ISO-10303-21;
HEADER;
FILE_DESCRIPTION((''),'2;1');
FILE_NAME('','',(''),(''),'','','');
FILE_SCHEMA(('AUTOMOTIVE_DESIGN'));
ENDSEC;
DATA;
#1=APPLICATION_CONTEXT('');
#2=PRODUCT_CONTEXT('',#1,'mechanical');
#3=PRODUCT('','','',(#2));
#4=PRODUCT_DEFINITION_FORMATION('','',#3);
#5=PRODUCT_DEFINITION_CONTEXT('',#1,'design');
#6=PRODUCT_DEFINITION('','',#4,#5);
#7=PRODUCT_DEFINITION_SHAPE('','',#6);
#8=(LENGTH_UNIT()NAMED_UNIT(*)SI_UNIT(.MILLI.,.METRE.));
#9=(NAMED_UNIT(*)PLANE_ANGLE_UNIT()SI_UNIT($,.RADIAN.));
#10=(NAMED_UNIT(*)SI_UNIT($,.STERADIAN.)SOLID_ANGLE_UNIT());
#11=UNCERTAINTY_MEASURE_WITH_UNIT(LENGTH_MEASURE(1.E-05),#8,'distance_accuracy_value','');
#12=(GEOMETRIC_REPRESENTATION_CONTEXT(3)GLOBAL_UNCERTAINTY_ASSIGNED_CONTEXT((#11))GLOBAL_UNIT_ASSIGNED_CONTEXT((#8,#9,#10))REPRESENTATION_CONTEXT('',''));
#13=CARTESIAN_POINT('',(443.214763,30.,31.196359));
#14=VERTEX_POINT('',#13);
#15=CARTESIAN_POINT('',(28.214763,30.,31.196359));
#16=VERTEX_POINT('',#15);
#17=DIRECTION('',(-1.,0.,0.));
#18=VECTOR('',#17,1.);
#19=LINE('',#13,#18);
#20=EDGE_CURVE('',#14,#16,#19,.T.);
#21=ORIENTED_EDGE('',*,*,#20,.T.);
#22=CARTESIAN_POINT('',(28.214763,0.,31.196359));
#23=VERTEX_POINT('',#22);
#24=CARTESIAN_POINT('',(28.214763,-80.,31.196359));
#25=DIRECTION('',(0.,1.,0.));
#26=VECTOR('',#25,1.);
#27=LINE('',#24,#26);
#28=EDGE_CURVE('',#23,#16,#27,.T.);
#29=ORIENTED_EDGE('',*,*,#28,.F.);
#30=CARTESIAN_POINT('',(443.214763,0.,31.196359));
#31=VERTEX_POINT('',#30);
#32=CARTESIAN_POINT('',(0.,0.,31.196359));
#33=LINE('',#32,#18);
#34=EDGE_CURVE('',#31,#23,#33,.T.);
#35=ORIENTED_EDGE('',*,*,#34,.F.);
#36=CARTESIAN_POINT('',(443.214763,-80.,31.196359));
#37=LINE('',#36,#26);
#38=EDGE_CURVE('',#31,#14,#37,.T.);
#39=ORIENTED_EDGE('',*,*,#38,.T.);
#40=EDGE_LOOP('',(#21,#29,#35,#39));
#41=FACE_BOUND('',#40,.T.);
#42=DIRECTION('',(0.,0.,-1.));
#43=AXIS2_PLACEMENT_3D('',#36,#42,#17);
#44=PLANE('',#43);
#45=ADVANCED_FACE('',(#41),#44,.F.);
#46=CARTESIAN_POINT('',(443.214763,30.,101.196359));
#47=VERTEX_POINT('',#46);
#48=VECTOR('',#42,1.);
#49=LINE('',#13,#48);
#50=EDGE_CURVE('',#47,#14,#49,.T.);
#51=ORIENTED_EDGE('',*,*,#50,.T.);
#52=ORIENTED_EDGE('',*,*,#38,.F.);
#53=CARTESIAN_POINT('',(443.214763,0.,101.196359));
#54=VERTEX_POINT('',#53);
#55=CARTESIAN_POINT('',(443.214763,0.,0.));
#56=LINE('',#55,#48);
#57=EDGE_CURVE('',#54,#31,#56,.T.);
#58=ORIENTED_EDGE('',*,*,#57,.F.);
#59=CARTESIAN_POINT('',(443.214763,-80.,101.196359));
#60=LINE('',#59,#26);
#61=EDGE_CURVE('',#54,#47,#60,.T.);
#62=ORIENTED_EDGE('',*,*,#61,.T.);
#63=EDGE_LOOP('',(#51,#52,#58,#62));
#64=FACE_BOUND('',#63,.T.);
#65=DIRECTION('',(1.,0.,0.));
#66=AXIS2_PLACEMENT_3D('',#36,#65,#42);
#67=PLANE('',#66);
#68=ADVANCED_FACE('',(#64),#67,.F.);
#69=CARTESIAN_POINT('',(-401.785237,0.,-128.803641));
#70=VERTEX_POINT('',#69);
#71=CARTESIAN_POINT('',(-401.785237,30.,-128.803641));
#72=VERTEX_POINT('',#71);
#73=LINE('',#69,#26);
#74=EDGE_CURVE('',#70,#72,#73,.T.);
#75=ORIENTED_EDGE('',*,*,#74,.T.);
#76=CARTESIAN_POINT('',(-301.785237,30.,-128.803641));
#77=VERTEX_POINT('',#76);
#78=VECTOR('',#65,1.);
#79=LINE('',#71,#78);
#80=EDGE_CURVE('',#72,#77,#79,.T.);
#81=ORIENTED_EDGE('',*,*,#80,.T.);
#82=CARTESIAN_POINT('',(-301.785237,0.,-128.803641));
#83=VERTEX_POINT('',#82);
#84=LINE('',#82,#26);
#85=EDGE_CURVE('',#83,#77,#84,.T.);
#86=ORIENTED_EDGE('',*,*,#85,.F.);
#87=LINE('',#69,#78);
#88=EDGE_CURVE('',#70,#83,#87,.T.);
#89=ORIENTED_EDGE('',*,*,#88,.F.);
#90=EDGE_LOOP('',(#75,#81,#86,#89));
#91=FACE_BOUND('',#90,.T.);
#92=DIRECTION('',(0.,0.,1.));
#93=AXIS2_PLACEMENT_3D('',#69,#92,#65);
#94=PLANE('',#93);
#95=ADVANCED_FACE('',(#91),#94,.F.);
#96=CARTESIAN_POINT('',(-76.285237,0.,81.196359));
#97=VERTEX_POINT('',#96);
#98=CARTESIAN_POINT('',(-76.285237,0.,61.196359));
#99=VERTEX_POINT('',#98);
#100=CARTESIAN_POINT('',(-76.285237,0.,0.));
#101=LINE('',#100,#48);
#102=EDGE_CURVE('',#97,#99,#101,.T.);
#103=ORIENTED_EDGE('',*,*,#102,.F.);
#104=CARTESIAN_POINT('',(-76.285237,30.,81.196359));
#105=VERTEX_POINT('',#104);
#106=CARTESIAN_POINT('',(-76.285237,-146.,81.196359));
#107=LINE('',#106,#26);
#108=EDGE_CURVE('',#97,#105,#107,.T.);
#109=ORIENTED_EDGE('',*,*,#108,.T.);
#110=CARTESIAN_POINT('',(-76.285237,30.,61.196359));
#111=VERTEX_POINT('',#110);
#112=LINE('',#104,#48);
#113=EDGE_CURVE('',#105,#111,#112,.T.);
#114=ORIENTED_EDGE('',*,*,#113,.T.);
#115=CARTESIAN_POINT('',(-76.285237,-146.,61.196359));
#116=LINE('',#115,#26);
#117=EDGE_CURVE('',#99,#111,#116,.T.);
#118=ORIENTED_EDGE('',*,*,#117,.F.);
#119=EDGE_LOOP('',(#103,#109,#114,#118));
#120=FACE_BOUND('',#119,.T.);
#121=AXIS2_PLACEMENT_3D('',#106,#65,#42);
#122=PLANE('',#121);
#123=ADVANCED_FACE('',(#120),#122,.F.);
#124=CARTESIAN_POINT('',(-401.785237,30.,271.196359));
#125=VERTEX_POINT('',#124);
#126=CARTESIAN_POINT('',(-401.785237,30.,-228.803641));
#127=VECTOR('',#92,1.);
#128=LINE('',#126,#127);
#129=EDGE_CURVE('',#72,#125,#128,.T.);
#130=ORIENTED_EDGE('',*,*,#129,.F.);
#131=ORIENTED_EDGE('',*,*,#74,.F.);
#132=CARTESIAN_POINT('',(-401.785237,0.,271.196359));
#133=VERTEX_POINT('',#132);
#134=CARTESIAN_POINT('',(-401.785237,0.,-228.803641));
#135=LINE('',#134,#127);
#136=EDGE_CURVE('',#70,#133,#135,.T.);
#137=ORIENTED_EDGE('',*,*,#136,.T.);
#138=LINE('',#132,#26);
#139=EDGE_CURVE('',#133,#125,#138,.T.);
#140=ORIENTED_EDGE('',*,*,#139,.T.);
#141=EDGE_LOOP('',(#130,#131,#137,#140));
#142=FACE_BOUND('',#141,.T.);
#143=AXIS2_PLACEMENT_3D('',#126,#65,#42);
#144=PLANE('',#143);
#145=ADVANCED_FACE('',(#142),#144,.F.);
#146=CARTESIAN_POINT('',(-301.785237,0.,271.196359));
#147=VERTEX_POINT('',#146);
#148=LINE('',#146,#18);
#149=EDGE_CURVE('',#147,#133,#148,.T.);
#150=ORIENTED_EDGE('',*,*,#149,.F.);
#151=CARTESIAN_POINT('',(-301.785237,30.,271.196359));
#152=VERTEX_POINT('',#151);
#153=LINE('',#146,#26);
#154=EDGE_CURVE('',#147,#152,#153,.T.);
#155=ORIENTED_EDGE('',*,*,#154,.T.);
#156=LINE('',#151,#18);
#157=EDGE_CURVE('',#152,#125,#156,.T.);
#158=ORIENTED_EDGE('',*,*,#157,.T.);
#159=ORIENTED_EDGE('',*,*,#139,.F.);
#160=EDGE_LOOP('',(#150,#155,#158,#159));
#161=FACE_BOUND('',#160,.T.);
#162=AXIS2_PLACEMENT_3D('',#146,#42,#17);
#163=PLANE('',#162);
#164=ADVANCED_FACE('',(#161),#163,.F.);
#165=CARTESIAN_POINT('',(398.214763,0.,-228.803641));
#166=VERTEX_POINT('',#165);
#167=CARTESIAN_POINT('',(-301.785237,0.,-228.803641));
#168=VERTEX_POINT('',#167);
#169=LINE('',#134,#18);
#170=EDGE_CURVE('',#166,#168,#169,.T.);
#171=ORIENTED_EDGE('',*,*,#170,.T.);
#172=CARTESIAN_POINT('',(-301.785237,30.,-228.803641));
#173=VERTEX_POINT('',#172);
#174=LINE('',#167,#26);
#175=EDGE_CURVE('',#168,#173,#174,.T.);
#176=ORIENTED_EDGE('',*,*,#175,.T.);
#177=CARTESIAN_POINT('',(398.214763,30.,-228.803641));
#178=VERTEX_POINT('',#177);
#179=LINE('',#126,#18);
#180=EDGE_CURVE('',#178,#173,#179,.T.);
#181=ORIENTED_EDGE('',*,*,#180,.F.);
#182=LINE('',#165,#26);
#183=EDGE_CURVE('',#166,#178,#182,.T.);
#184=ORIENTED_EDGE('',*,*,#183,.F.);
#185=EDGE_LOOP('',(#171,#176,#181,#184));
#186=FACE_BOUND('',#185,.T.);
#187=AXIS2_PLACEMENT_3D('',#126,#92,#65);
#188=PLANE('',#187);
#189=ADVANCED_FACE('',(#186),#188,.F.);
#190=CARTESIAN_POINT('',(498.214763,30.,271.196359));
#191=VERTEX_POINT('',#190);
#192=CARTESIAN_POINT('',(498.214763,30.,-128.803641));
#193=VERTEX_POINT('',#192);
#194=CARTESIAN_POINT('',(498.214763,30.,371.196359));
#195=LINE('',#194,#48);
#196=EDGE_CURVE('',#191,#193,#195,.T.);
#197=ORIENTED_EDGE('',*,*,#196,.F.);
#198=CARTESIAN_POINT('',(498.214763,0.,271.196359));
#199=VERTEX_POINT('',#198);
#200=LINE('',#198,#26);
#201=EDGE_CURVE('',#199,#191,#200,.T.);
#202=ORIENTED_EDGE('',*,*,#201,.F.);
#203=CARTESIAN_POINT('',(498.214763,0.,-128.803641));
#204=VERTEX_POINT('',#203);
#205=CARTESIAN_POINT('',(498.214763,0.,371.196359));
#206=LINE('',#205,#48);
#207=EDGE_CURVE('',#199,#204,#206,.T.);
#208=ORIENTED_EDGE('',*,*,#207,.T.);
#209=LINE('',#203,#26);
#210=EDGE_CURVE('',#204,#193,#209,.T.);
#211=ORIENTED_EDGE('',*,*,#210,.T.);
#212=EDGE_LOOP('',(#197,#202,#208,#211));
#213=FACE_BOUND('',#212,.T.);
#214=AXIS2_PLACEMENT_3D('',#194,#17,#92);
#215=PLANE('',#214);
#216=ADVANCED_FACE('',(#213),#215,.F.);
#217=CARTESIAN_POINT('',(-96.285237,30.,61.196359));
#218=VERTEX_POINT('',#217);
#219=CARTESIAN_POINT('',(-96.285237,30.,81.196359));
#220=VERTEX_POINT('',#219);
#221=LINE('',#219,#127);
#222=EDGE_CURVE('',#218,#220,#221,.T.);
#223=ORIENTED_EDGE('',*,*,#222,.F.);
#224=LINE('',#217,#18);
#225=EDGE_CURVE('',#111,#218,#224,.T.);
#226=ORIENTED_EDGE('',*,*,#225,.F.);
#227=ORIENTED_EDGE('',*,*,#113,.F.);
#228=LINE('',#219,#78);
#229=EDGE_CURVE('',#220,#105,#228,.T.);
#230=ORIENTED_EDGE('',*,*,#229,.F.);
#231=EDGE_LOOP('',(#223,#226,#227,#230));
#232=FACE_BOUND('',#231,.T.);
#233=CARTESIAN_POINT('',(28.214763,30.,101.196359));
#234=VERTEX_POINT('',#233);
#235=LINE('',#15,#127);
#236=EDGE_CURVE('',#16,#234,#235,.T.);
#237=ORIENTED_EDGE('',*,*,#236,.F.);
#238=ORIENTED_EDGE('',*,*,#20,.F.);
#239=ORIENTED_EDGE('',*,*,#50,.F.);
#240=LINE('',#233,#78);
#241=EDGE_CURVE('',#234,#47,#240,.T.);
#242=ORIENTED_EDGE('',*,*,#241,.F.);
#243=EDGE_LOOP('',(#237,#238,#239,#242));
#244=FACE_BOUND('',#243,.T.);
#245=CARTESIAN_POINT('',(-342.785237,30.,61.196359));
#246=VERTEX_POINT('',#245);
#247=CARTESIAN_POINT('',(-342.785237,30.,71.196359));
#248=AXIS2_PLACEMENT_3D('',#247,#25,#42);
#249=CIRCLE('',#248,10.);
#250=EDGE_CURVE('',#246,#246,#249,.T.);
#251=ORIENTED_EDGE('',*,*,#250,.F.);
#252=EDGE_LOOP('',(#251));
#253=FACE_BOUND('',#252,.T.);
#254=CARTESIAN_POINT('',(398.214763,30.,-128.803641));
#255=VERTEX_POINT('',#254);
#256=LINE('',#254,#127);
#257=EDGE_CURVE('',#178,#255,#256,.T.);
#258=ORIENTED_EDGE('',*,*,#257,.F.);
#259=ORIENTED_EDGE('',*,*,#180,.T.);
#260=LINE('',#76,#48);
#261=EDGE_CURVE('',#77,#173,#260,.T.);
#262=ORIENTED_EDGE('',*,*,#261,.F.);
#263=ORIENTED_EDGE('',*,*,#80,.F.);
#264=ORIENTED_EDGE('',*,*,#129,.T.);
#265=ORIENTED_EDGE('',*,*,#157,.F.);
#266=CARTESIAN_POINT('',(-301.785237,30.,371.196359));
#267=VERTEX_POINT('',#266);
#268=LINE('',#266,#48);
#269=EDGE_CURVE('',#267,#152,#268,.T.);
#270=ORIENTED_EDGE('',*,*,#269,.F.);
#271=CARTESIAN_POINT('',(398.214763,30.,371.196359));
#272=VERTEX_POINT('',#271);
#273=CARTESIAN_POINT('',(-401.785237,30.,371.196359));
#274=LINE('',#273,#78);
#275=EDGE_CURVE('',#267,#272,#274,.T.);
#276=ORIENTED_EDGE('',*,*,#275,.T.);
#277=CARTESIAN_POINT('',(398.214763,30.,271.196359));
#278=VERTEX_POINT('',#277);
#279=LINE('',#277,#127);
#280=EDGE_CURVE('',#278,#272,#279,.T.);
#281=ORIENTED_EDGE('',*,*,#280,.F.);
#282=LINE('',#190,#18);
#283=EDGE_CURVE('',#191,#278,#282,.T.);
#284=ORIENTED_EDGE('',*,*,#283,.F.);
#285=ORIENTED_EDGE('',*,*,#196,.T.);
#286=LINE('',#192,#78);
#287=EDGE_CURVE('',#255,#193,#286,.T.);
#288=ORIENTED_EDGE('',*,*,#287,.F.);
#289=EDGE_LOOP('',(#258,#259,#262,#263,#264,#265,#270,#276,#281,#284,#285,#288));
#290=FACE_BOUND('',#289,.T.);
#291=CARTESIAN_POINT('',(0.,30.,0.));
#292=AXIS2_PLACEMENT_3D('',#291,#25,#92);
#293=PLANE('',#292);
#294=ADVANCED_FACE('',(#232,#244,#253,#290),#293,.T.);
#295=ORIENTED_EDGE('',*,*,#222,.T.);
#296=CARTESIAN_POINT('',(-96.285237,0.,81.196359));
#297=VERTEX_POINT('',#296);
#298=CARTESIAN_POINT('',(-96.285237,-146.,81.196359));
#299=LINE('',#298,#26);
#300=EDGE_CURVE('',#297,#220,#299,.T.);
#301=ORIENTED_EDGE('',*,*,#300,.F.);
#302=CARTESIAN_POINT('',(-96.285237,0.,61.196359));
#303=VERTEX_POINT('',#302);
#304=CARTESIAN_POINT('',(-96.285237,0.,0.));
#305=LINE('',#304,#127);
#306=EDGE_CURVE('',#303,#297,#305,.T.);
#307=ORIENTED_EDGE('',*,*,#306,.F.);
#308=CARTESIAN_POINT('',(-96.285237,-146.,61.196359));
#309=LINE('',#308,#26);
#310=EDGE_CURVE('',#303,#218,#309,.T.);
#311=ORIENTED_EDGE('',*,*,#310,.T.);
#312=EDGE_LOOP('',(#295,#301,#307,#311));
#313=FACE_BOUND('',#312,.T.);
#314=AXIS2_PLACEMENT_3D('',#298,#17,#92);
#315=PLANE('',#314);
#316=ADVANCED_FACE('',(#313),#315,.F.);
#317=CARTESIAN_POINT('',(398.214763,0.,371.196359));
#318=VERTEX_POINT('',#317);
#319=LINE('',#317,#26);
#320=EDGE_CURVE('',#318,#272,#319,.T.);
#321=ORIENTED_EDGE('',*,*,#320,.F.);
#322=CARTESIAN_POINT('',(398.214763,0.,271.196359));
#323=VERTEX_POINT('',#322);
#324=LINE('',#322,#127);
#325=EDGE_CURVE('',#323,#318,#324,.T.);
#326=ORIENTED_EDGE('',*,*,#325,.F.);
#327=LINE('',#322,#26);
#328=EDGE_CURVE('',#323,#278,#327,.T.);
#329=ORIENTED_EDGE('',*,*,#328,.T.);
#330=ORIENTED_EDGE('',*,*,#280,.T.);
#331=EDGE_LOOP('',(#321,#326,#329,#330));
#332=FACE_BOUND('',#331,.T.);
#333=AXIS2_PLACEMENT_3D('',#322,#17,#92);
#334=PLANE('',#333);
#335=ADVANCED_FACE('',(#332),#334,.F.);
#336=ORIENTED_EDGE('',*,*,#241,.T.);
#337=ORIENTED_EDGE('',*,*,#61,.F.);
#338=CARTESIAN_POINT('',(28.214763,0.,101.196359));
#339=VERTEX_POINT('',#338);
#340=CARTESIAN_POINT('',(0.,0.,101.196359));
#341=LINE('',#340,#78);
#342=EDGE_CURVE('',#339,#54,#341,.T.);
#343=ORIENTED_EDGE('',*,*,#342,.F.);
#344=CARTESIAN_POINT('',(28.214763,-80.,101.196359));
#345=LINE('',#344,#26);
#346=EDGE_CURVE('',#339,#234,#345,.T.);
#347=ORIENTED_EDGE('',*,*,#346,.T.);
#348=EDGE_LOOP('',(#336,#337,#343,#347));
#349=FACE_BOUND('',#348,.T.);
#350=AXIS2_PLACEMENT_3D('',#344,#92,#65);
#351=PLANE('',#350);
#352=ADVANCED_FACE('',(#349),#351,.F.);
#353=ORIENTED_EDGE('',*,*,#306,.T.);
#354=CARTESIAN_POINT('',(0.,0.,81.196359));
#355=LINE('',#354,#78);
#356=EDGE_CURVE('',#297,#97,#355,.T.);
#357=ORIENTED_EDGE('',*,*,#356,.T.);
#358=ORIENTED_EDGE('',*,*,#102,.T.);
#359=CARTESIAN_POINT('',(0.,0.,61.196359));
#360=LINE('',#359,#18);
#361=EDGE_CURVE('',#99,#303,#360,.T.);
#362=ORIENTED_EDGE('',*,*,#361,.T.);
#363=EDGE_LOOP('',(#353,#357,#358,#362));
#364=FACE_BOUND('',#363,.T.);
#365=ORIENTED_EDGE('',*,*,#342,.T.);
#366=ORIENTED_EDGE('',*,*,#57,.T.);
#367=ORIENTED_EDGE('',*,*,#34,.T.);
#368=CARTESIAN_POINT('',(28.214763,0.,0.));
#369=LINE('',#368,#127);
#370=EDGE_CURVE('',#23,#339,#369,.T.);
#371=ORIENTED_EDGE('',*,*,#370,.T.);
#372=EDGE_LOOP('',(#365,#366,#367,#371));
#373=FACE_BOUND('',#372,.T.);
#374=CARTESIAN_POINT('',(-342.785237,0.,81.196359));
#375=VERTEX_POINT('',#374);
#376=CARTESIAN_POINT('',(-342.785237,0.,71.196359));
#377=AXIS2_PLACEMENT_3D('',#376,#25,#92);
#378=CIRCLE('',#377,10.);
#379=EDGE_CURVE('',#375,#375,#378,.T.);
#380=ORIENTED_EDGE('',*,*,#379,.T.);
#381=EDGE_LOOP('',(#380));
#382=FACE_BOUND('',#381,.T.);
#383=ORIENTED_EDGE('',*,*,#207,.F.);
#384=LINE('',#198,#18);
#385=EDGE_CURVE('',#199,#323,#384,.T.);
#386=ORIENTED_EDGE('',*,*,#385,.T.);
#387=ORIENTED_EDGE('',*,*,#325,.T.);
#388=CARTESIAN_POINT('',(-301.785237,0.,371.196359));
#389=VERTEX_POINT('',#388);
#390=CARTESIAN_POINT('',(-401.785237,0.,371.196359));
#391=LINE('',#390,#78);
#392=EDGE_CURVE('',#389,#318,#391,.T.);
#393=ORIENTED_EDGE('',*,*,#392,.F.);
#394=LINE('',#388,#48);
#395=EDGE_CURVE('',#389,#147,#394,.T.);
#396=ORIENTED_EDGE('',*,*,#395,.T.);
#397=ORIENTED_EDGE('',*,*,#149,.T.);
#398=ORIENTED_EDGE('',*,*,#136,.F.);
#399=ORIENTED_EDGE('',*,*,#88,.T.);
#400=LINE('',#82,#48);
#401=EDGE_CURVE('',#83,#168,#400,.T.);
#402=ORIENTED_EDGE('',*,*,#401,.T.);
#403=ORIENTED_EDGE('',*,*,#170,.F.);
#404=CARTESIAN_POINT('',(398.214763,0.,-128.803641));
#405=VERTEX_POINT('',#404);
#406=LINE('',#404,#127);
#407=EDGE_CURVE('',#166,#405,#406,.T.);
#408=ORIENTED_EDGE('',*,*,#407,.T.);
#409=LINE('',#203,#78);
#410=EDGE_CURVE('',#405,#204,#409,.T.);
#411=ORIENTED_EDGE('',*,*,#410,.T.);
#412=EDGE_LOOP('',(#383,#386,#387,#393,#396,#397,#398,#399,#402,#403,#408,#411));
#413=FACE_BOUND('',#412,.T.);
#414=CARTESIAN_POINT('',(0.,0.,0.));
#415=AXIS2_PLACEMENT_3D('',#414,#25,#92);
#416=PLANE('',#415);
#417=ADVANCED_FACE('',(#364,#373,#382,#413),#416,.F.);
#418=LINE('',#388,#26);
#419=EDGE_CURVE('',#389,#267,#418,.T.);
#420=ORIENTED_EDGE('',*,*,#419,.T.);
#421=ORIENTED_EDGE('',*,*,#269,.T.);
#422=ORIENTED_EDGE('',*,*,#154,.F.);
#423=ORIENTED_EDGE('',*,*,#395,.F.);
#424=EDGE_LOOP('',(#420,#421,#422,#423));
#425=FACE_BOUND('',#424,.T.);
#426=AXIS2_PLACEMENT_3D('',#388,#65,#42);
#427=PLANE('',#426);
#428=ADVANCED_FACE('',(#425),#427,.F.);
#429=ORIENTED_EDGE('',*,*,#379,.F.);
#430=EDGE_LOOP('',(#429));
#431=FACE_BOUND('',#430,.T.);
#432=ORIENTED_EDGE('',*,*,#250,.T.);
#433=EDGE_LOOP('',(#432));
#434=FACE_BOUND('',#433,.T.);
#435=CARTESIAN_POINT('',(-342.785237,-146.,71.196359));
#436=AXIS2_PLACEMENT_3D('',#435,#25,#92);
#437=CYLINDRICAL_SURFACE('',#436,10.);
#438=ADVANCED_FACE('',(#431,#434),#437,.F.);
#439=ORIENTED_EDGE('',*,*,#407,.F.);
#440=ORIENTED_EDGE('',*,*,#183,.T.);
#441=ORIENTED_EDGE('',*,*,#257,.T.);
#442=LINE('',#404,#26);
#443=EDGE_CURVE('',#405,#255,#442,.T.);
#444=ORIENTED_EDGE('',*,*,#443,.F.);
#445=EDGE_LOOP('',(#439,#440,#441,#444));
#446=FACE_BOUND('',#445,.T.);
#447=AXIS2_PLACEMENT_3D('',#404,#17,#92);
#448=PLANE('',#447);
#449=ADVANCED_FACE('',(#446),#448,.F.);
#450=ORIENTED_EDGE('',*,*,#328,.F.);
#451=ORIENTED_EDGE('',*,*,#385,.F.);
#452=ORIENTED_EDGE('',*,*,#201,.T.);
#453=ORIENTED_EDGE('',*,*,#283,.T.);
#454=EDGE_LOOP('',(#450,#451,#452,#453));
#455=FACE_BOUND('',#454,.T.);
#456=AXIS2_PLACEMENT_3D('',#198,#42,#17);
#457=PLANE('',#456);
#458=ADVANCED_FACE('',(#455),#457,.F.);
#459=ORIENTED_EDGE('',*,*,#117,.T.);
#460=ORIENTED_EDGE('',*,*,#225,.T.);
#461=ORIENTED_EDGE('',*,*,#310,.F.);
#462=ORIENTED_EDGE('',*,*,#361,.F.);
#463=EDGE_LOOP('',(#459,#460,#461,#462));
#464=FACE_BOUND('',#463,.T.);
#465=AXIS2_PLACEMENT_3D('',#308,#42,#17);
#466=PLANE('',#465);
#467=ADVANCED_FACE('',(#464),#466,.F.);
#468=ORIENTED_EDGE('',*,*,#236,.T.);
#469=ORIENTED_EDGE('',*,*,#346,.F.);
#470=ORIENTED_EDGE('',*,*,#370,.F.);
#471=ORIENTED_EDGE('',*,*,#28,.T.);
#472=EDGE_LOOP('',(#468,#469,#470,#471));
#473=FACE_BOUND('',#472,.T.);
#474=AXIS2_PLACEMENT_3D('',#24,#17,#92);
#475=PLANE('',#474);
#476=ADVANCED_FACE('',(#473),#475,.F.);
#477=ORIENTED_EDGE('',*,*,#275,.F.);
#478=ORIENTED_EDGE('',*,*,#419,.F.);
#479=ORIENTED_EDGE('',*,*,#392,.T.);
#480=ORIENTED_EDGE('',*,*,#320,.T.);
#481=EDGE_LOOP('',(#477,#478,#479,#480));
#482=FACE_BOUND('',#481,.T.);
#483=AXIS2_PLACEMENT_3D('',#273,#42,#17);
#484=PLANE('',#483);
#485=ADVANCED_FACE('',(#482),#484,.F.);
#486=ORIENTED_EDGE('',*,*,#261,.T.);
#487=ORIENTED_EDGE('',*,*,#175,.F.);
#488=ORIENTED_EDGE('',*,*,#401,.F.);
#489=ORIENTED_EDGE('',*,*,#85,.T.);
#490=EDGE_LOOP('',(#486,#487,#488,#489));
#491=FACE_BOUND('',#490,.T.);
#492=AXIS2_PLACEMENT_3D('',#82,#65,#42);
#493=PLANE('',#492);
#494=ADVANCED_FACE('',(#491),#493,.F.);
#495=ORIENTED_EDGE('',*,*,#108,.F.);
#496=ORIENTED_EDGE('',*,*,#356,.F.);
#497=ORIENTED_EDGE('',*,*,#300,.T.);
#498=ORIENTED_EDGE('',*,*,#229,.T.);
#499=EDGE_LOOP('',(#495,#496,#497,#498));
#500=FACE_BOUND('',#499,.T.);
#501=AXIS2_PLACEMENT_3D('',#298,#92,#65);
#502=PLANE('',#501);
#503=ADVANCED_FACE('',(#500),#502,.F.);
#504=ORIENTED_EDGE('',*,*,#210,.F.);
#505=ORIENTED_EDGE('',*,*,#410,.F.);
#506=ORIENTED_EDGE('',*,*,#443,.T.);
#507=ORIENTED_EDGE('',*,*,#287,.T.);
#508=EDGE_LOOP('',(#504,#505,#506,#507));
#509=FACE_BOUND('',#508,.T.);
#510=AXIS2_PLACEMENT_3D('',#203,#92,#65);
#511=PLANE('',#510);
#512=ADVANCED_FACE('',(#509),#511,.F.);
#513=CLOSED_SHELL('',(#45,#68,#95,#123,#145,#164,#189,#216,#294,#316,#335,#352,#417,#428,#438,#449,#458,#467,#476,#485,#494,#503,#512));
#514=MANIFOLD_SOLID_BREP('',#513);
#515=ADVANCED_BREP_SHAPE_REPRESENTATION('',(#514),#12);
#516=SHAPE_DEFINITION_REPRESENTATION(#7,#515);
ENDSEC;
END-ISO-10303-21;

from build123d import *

# Parameters (mm, degrees)
SKETCH1_W           = 900
SKETCH1_H           = 600
BOSS_EXTRUDE1_DEPTH = 30
SKETCH2_W           = 100
SKETCH2_H           = 100
CUT_EXTRUDE1_DEPTH  = 623.016629111
SKETCH4_R           = 10
SKETCH4_W           = 20
SKETCH4_H           = 20
CUT_EXTRUDE2_DEPTH  = 176
SKETCH5_W           = 415
SKETCH5_H           = 70
CUT_EXTRUDE3_DEPTH  = 110


with BuildPart() as part:
    # Sketch1 → Boss-Extrude1 (new body)
    with BuildSketch(Plane(origin=(0, 0, 0), x_dir=(1, 0, 0), z_dir=(0, 1, 0))):
        with Locations((48.214762953, -71.196358908)):
            Rectangle(SKETCH1_W, SKETCH1_H)
    extrude(amount=BOSS_EXTRUDE1_DEPTH)

    # Sketch2 → Cut-Extrude1 (cut, through all)
    with BuildSketch(Plane(origin=(0, 30, 0), x_dir=(1, 0, 0), z_dir=(0, 1, 0))):
        with Locations((-351.785237047, 178.803641092)):
            Rectangle(SKETCH2_W, SKETCH2_H)
        with Locations((-351.785237047, -321.196358908)):
            Rectangle(SKETCH2_W, SKETCH2_H)
        with Locations((448.214762953, -321.196358908)):
            Rectangle(SKETCH2_W, SKETCH2_H)
        with Locations((448.214762953, 178.803641092)):
            Rectangle(SKETCH2_W, SKETCH2_H)
    extrude(amount=-CUT_EXTRUDE1_DEPTH, mode=Mode.SUBTRACT)

    # Sketch4 → Cut-Extrude2 (cut)
    with BuildSketch(Plane(origin=(0, 30, 0), x_dir=(1, 0, 0), z_dir=(0, 1, 0))):
        with Locations(Location((-342.785237047, -71.196358908, 0), (0, 0, 270))):
            Circle(SKETCH4_R)
        with Locations((-86.285237047, -71.196358908)):
            Rectangle(SKETCH4_W, SKETCH4_H)
    extrude(amount=-CUT_EXTRUDE2_DEPTH, mode=Mode.SUBTRACT)

    # Sketch5 → Cut-Extrude3 (cut)
    with BuildSketch(Plane(origin=(0, 30, 0), x_dir=(1, 0, 0), z_dir=(0, 1, 0))):
        with Locations((235.714762953, -66.196358908)):
            Rectangle(SKETCH5_W, SKETCH5_H)
    extrude(amount=-CUT_EXTRUDE3_DEPTH, mode=Mode.SUBTRACT)


solid = part.part
